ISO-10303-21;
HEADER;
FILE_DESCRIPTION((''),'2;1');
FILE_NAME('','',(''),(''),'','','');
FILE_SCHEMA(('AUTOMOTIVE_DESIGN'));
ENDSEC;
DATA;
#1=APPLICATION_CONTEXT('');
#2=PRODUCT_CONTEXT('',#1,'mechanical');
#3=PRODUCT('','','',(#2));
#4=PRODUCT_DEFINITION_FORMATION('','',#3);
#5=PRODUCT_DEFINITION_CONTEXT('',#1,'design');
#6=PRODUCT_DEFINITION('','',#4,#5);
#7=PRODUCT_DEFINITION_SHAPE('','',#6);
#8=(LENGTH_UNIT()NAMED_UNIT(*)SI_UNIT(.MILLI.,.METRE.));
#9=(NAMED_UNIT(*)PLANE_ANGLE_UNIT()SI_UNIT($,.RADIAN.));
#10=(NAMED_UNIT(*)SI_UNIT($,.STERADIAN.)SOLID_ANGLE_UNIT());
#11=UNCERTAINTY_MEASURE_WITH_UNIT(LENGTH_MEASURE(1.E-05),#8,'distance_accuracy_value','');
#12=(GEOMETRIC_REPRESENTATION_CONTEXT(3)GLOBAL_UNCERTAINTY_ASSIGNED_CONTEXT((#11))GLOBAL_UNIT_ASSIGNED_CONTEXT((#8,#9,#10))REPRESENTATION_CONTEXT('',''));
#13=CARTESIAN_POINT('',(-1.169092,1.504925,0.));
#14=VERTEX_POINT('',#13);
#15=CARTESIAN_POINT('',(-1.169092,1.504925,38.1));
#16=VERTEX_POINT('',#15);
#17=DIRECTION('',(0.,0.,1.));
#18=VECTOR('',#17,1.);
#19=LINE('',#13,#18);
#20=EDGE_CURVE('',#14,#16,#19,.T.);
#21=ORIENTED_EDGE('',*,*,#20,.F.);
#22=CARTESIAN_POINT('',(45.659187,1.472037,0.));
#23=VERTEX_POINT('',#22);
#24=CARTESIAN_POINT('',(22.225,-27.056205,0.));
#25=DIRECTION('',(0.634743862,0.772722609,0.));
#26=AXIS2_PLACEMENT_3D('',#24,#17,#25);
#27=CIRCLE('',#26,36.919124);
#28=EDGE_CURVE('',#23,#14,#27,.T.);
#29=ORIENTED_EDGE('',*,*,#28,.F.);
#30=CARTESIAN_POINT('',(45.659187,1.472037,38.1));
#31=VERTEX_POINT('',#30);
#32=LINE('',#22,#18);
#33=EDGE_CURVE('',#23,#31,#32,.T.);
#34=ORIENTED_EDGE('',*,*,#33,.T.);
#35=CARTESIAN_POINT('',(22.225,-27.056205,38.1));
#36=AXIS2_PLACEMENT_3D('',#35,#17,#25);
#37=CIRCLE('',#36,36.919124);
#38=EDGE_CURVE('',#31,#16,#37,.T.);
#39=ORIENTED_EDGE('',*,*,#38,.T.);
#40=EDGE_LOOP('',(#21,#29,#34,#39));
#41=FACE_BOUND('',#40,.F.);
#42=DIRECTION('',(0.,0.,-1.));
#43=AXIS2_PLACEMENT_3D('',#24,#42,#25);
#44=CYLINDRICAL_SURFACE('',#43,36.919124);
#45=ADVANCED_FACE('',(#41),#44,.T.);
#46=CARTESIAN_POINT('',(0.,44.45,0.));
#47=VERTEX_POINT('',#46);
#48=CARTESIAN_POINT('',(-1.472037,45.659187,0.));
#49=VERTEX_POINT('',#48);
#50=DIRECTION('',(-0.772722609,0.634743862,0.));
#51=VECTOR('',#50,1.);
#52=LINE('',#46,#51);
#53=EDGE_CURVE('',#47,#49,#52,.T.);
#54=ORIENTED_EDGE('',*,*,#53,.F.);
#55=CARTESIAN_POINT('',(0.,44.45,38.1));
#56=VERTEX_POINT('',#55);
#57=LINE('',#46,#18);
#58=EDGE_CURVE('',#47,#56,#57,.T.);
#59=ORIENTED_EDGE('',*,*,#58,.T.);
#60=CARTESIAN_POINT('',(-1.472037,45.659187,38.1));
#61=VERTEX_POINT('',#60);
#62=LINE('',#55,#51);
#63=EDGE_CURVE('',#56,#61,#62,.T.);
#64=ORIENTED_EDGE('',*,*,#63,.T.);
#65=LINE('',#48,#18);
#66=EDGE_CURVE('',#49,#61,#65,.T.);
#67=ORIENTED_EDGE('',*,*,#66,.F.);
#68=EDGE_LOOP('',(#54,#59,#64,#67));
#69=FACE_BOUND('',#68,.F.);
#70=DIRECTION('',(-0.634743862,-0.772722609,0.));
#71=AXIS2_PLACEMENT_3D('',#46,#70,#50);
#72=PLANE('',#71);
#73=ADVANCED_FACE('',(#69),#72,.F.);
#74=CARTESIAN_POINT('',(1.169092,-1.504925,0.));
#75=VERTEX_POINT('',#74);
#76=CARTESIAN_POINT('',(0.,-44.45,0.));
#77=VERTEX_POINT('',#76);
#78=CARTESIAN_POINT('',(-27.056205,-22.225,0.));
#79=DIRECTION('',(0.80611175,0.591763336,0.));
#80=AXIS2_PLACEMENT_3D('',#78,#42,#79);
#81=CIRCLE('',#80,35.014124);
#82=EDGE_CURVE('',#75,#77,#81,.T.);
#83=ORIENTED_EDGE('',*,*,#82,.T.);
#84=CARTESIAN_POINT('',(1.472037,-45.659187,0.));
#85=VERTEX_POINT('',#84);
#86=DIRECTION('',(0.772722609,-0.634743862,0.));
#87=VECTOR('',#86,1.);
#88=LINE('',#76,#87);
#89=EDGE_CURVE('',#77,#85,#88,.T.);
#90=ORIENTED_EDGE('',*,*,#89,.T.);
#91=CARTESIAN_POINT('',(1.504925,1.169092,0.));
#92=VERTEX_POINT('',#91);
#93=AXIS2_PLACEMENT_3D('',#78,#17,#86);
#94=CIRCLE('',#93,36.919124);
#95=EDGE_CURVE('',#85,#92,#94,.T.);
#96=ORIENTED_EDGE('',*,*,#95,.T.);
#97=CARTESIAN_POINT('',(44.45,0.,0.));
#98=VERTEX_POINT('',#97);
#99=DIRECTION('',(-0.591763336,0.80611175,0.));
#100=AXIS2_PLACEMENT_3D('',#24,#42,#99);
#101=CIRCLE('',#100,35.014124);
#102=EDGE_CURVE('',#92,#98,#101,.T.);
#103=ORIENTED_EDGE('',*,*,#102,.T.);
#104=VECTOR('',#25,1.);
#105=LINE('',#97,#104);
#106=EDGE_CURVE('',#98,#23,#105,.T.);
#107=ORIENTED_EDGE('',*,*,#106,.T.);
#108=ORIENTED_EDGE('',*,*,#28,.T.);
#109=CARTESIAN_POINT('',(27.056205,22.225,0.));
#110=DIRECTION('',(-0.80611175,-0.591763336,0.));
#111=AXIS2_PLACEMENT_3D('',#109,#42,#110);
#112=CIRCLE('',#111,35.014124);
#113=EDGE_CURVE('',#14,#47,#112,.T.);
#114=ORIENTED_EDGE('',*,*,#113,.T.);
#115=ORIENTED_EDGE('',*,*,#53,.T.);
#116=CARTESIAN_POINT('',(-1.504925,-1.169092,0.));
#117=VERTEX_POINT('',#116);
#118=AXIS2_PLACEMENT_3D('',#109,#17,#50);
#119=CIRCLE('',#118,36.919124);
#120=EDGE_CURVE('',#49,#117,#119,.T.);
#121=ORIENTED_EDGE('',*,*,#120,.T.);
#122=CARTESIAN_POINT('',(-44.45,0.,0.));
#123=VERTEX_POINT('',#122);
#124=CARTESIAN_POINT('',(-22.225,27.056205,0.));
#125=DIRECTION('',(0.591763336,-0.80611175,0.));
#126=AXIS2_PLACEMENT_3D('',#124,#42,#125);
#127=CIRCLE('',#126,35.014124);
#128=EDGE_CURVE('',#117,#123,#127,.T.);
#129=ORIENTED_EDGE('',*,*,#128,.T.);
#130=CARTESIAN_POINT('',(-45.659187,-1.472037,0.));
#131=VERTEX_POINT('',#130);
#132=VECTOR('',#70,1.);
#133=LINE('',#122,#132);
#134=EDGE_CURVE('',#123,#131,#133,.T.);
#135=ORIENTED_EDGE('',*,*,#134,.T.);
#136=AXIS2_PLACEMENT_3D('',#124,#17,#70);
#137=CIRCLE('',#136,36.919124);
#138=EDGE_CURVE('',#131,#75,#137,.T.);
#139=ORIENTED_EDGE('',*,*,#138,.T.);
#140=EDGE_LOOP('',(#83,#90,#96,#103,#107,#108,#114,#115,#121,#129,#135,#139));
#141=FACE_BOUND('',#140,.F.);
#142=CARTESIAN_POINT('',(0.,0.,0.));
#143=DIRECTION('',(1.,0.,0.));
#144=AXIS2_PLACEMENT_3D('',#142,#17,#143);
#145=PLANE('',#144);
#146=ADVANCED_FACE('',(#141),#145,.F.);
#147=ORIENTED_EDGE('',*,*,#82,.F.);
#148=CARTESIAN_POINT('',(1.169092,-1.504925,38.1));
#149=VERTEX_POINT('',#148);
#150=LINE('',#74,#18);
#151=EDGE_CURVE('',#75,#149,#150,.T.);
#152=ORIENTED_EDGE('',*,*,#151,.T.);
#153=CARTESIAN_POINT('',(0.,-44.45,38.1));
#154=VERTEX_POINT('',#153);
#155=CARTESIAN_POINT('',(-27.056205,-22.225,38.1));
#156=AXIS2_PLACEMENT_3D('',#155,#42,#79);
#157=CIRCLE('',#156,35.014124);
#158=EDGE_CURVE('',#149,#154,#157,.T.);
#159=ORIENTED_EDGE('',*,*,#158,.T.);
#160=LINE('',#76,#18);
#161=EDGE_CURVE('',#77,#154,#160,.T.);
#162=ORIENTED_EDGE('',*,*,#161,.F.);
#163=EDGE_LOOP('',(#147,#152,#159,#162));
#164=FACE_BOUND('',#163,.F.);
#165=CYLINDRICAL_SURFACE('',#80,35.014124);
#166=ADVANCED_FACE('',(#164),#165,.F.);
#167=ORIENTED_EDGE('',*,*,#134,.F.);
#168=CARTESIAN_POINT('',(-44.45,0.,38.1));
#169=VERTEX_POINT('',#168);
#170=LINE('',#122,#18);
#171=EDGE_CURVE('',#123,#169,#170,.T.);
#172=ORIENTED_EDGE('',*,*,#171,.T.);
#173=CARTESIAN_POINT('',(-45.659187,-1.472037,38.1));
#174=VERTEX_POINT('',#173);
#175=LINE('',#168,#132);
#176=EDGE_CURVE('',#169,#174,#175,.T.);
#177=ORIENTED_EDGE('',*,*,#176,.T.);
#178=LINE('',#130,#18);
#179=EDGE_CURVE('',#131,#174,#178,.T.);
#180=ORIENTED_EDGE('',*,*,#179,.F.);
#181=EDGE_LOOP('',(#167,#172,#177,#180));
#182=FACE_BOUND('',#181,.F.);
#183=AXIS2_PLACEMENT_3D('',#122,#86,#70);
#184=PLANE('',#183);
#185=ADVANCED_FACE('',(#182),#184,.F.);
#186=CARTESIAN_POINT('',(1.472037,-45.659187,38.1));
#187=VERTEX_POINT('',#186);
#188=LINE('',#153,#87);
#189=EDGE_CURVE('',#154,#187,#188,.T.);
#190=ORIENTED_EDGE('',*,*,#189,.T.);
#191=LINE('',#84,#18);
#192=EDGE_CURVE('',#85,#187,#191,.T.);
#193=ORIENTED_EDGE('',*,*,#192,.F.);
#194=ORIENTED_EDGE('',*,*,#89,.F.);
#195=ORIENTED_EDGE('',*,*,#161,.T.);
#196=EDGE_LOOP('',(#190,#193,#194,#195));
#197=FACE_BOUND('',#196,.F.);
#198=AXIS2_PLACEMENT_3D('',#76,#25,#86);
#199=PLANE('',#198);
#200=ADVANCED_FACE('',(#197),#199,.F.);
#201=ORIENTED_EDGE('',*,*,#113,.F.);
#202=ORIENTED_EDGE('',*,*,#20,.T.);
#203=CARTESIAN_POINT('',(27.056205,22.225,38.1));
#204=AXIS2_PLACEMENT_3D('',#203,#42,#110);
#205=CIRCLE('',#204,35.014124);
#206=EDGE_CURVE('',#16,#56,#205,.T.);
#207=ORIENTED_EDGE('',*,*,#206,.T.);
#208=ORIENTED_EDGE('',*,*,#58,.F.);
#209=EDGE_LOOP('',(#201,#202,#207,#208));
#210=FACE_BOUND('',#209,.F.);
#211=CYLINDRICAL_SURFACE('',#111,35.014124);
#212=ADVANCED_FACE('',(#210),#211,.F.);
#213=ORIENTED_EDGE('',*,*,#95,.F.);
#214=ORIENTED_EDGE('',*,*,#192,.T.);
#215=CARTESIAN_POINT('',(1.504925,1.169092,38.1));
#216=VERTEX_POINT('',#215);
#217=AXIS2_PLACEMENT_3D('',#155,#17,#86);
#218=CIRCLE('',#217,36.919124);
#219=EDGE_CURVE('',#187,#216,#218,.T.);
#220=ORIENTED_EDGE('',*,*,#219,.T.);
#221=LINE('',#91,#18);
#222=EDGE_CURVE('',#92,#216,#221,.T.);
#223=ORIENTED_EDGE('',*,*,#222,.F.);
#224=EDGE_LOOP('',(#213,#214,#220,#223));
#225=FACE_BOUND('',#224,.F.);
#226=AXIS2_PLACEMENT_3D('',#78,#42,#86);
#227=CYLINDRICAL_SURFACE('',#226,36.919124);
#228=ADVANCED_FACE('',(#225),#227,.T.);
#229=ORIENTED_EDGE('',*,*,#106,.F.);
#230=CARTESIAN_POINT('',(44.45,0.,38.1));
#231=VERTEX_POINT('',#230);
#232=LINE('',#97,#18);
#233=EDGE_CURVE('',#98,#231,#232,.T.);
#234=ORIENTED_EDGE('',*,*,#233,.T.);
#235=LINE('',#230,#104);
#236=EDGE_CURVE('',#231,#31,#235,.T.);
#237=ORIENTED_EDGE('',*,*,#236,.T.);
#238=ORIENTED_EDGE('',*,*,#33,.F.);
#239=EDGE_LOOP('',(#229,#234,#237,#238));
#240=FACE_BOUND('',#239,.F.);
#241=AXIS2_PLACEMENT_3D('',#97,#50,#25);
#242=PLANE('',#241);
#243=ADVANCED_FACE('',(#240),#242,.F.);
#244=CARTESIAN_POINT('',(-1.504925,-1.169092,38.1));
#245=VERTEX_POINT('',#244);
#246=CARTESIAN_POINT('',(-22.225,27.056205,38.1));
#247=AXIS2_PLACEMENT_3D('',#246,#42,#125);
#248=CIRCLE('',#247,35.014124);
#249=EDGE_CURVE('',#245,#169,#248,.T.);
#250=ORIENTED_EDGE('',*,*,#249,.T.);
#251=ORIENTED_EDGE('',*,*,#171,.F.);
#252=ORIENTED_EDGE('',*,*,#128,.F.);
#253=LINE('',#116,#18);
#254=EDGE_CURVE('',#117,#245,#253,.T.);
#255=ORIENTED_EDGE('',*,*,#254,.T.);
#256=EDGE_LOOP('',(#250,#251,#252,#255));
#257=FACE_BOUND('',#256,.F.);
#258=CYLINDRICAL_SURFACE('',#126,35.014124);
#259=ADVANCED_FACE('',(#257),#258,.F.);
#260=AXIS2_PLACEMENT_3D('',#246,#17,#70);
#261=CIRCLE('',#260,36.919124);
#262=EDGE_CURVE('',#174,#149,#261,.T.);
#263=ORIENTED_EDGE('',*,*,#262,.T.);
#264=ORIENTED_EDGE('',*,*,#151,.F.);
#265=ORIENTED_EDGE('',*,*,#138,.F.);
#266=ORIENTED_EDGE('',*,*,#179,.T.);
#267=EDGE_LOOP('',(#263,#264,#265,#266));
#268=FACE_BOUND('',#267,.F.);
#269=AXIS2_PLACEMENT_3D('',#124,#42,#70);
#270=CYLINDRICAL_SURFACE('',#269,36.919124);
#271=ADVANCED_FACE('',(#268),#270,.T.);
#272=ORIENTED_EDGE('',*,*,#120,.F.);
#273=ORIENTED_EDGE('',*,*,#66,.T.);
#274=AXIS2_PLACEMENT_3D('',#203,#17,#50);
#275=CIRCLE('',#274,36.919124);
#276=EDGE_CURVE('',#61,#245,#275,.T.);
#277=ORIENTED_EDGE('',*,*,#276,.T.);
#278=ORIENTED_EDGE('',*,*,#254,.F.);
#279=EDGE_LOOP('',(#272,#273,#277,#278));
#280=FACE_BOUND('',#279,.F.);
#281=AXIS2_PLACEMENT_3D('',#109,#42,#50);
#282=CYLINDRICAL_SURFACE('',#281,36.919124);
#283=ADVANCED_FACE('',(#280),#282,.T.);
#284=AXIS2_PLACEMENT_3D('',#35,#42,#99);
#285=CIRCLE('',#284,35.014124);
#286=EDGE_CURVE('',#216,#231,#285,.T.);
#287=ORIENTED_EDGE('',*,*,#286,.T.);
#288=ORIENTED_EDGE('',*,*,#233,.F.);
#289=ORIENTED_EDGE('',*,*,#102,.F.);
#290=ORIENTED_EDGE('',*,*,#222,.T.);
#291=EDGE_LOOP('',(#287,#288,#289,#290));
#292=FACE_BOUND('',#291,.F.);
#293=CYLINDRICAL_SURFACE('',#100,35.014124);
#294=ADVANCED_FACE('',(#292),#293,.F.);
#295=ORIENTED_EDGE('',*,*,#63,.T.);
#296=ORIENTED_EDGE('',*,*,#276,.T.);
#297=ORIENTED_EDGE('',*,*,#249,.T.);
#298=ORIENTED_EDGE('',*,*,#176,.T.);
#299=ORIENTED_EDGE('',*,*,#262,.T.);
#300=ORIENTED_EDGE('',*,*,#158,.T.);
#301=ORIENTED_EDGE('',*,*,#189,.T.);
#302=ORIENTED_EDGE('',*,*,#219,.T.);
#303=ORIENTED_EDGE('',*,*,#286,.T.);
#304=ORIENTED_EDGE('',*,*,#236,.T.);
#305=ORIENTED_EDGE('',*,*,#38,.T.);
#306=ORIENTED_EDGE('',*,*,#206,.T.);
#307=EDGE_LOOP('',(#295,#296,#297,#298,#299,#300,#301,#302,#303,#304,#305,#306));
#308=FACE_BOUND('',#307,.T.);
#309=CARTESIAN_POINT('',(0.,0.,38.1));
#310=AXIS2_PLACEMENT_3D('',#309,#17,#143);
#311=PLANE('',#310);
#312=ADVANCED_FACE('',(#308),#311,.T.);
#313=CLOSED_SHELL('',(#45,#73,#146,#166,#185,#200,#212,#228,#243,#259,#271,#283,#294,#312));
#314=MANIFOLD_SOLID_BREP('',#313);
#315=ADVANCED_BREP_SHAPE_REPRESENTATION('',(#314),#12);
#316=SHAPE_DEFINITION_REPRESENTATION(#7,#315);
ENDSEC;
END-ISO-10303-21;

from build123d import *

# Parameters (mm, degrees)
F1_DEPTH = 76.2
F2_SCALE = 0.5


with BuildPart() as f1:
    # F0 (on Top) → F1 (new body)
    with BuildSketch(Plane.XY):
        with BuildLine():
            ThreePointArc((2.3381830586, -3.0098508649), (15.8899031562, -46.3556693211), (0, -88.9))
            Line((0, -88.9), (2.9440731391, -91.3183741132))
            ThreePointArc((2.9440731391, -91.3183741132), (19.7258191096, -44.5018587371), (3.0098508649, 2.3381830586))
            ThreePointArc((3.0098508649, 2.3381830586), (46.3556693211, 15.8899031562), (88.9, 0))
            Line((88.9, 0), (91.3183741132, 2.9440731391))
            ThreePointArc((91.3183741132, 2.9440731391), (44.5018587371, 19.7258191096), (-2.3381830586, 3.0098508649))
            ThreePointArc((-2.3381830586, 3.0098508649), (-15.8899031562, 46.3556693211), (0, 88.9))
            Line((0, 88.9), (-2.9440731391, 91.3183741132))
            ThreePointArc((-2.9440731391, 91.3183741132), (-19.7258191096, 44.5018587371), (-3.0098508649, -2.3381830586))
            ThreePointArc((-3.0098508649, -2.3381830586), (-46.3556693211, -15.8899031562), (-88.9, 0))
            Line((-88.9, 0), (-91.3183741132, -2.9440731391))
            ThreePointArc((-91.3183741132, -2.9440731391), (-44.5018587371, -19.7258191096), (2.3381830586, -3.0098508649))
        make_face()
    extrude(amount=F1_DEPTH)


with BuildPart() as f1_1:
    # F2: moved
    add(f1.part.scale(F2_SCALE))


solid = f1_1.part
